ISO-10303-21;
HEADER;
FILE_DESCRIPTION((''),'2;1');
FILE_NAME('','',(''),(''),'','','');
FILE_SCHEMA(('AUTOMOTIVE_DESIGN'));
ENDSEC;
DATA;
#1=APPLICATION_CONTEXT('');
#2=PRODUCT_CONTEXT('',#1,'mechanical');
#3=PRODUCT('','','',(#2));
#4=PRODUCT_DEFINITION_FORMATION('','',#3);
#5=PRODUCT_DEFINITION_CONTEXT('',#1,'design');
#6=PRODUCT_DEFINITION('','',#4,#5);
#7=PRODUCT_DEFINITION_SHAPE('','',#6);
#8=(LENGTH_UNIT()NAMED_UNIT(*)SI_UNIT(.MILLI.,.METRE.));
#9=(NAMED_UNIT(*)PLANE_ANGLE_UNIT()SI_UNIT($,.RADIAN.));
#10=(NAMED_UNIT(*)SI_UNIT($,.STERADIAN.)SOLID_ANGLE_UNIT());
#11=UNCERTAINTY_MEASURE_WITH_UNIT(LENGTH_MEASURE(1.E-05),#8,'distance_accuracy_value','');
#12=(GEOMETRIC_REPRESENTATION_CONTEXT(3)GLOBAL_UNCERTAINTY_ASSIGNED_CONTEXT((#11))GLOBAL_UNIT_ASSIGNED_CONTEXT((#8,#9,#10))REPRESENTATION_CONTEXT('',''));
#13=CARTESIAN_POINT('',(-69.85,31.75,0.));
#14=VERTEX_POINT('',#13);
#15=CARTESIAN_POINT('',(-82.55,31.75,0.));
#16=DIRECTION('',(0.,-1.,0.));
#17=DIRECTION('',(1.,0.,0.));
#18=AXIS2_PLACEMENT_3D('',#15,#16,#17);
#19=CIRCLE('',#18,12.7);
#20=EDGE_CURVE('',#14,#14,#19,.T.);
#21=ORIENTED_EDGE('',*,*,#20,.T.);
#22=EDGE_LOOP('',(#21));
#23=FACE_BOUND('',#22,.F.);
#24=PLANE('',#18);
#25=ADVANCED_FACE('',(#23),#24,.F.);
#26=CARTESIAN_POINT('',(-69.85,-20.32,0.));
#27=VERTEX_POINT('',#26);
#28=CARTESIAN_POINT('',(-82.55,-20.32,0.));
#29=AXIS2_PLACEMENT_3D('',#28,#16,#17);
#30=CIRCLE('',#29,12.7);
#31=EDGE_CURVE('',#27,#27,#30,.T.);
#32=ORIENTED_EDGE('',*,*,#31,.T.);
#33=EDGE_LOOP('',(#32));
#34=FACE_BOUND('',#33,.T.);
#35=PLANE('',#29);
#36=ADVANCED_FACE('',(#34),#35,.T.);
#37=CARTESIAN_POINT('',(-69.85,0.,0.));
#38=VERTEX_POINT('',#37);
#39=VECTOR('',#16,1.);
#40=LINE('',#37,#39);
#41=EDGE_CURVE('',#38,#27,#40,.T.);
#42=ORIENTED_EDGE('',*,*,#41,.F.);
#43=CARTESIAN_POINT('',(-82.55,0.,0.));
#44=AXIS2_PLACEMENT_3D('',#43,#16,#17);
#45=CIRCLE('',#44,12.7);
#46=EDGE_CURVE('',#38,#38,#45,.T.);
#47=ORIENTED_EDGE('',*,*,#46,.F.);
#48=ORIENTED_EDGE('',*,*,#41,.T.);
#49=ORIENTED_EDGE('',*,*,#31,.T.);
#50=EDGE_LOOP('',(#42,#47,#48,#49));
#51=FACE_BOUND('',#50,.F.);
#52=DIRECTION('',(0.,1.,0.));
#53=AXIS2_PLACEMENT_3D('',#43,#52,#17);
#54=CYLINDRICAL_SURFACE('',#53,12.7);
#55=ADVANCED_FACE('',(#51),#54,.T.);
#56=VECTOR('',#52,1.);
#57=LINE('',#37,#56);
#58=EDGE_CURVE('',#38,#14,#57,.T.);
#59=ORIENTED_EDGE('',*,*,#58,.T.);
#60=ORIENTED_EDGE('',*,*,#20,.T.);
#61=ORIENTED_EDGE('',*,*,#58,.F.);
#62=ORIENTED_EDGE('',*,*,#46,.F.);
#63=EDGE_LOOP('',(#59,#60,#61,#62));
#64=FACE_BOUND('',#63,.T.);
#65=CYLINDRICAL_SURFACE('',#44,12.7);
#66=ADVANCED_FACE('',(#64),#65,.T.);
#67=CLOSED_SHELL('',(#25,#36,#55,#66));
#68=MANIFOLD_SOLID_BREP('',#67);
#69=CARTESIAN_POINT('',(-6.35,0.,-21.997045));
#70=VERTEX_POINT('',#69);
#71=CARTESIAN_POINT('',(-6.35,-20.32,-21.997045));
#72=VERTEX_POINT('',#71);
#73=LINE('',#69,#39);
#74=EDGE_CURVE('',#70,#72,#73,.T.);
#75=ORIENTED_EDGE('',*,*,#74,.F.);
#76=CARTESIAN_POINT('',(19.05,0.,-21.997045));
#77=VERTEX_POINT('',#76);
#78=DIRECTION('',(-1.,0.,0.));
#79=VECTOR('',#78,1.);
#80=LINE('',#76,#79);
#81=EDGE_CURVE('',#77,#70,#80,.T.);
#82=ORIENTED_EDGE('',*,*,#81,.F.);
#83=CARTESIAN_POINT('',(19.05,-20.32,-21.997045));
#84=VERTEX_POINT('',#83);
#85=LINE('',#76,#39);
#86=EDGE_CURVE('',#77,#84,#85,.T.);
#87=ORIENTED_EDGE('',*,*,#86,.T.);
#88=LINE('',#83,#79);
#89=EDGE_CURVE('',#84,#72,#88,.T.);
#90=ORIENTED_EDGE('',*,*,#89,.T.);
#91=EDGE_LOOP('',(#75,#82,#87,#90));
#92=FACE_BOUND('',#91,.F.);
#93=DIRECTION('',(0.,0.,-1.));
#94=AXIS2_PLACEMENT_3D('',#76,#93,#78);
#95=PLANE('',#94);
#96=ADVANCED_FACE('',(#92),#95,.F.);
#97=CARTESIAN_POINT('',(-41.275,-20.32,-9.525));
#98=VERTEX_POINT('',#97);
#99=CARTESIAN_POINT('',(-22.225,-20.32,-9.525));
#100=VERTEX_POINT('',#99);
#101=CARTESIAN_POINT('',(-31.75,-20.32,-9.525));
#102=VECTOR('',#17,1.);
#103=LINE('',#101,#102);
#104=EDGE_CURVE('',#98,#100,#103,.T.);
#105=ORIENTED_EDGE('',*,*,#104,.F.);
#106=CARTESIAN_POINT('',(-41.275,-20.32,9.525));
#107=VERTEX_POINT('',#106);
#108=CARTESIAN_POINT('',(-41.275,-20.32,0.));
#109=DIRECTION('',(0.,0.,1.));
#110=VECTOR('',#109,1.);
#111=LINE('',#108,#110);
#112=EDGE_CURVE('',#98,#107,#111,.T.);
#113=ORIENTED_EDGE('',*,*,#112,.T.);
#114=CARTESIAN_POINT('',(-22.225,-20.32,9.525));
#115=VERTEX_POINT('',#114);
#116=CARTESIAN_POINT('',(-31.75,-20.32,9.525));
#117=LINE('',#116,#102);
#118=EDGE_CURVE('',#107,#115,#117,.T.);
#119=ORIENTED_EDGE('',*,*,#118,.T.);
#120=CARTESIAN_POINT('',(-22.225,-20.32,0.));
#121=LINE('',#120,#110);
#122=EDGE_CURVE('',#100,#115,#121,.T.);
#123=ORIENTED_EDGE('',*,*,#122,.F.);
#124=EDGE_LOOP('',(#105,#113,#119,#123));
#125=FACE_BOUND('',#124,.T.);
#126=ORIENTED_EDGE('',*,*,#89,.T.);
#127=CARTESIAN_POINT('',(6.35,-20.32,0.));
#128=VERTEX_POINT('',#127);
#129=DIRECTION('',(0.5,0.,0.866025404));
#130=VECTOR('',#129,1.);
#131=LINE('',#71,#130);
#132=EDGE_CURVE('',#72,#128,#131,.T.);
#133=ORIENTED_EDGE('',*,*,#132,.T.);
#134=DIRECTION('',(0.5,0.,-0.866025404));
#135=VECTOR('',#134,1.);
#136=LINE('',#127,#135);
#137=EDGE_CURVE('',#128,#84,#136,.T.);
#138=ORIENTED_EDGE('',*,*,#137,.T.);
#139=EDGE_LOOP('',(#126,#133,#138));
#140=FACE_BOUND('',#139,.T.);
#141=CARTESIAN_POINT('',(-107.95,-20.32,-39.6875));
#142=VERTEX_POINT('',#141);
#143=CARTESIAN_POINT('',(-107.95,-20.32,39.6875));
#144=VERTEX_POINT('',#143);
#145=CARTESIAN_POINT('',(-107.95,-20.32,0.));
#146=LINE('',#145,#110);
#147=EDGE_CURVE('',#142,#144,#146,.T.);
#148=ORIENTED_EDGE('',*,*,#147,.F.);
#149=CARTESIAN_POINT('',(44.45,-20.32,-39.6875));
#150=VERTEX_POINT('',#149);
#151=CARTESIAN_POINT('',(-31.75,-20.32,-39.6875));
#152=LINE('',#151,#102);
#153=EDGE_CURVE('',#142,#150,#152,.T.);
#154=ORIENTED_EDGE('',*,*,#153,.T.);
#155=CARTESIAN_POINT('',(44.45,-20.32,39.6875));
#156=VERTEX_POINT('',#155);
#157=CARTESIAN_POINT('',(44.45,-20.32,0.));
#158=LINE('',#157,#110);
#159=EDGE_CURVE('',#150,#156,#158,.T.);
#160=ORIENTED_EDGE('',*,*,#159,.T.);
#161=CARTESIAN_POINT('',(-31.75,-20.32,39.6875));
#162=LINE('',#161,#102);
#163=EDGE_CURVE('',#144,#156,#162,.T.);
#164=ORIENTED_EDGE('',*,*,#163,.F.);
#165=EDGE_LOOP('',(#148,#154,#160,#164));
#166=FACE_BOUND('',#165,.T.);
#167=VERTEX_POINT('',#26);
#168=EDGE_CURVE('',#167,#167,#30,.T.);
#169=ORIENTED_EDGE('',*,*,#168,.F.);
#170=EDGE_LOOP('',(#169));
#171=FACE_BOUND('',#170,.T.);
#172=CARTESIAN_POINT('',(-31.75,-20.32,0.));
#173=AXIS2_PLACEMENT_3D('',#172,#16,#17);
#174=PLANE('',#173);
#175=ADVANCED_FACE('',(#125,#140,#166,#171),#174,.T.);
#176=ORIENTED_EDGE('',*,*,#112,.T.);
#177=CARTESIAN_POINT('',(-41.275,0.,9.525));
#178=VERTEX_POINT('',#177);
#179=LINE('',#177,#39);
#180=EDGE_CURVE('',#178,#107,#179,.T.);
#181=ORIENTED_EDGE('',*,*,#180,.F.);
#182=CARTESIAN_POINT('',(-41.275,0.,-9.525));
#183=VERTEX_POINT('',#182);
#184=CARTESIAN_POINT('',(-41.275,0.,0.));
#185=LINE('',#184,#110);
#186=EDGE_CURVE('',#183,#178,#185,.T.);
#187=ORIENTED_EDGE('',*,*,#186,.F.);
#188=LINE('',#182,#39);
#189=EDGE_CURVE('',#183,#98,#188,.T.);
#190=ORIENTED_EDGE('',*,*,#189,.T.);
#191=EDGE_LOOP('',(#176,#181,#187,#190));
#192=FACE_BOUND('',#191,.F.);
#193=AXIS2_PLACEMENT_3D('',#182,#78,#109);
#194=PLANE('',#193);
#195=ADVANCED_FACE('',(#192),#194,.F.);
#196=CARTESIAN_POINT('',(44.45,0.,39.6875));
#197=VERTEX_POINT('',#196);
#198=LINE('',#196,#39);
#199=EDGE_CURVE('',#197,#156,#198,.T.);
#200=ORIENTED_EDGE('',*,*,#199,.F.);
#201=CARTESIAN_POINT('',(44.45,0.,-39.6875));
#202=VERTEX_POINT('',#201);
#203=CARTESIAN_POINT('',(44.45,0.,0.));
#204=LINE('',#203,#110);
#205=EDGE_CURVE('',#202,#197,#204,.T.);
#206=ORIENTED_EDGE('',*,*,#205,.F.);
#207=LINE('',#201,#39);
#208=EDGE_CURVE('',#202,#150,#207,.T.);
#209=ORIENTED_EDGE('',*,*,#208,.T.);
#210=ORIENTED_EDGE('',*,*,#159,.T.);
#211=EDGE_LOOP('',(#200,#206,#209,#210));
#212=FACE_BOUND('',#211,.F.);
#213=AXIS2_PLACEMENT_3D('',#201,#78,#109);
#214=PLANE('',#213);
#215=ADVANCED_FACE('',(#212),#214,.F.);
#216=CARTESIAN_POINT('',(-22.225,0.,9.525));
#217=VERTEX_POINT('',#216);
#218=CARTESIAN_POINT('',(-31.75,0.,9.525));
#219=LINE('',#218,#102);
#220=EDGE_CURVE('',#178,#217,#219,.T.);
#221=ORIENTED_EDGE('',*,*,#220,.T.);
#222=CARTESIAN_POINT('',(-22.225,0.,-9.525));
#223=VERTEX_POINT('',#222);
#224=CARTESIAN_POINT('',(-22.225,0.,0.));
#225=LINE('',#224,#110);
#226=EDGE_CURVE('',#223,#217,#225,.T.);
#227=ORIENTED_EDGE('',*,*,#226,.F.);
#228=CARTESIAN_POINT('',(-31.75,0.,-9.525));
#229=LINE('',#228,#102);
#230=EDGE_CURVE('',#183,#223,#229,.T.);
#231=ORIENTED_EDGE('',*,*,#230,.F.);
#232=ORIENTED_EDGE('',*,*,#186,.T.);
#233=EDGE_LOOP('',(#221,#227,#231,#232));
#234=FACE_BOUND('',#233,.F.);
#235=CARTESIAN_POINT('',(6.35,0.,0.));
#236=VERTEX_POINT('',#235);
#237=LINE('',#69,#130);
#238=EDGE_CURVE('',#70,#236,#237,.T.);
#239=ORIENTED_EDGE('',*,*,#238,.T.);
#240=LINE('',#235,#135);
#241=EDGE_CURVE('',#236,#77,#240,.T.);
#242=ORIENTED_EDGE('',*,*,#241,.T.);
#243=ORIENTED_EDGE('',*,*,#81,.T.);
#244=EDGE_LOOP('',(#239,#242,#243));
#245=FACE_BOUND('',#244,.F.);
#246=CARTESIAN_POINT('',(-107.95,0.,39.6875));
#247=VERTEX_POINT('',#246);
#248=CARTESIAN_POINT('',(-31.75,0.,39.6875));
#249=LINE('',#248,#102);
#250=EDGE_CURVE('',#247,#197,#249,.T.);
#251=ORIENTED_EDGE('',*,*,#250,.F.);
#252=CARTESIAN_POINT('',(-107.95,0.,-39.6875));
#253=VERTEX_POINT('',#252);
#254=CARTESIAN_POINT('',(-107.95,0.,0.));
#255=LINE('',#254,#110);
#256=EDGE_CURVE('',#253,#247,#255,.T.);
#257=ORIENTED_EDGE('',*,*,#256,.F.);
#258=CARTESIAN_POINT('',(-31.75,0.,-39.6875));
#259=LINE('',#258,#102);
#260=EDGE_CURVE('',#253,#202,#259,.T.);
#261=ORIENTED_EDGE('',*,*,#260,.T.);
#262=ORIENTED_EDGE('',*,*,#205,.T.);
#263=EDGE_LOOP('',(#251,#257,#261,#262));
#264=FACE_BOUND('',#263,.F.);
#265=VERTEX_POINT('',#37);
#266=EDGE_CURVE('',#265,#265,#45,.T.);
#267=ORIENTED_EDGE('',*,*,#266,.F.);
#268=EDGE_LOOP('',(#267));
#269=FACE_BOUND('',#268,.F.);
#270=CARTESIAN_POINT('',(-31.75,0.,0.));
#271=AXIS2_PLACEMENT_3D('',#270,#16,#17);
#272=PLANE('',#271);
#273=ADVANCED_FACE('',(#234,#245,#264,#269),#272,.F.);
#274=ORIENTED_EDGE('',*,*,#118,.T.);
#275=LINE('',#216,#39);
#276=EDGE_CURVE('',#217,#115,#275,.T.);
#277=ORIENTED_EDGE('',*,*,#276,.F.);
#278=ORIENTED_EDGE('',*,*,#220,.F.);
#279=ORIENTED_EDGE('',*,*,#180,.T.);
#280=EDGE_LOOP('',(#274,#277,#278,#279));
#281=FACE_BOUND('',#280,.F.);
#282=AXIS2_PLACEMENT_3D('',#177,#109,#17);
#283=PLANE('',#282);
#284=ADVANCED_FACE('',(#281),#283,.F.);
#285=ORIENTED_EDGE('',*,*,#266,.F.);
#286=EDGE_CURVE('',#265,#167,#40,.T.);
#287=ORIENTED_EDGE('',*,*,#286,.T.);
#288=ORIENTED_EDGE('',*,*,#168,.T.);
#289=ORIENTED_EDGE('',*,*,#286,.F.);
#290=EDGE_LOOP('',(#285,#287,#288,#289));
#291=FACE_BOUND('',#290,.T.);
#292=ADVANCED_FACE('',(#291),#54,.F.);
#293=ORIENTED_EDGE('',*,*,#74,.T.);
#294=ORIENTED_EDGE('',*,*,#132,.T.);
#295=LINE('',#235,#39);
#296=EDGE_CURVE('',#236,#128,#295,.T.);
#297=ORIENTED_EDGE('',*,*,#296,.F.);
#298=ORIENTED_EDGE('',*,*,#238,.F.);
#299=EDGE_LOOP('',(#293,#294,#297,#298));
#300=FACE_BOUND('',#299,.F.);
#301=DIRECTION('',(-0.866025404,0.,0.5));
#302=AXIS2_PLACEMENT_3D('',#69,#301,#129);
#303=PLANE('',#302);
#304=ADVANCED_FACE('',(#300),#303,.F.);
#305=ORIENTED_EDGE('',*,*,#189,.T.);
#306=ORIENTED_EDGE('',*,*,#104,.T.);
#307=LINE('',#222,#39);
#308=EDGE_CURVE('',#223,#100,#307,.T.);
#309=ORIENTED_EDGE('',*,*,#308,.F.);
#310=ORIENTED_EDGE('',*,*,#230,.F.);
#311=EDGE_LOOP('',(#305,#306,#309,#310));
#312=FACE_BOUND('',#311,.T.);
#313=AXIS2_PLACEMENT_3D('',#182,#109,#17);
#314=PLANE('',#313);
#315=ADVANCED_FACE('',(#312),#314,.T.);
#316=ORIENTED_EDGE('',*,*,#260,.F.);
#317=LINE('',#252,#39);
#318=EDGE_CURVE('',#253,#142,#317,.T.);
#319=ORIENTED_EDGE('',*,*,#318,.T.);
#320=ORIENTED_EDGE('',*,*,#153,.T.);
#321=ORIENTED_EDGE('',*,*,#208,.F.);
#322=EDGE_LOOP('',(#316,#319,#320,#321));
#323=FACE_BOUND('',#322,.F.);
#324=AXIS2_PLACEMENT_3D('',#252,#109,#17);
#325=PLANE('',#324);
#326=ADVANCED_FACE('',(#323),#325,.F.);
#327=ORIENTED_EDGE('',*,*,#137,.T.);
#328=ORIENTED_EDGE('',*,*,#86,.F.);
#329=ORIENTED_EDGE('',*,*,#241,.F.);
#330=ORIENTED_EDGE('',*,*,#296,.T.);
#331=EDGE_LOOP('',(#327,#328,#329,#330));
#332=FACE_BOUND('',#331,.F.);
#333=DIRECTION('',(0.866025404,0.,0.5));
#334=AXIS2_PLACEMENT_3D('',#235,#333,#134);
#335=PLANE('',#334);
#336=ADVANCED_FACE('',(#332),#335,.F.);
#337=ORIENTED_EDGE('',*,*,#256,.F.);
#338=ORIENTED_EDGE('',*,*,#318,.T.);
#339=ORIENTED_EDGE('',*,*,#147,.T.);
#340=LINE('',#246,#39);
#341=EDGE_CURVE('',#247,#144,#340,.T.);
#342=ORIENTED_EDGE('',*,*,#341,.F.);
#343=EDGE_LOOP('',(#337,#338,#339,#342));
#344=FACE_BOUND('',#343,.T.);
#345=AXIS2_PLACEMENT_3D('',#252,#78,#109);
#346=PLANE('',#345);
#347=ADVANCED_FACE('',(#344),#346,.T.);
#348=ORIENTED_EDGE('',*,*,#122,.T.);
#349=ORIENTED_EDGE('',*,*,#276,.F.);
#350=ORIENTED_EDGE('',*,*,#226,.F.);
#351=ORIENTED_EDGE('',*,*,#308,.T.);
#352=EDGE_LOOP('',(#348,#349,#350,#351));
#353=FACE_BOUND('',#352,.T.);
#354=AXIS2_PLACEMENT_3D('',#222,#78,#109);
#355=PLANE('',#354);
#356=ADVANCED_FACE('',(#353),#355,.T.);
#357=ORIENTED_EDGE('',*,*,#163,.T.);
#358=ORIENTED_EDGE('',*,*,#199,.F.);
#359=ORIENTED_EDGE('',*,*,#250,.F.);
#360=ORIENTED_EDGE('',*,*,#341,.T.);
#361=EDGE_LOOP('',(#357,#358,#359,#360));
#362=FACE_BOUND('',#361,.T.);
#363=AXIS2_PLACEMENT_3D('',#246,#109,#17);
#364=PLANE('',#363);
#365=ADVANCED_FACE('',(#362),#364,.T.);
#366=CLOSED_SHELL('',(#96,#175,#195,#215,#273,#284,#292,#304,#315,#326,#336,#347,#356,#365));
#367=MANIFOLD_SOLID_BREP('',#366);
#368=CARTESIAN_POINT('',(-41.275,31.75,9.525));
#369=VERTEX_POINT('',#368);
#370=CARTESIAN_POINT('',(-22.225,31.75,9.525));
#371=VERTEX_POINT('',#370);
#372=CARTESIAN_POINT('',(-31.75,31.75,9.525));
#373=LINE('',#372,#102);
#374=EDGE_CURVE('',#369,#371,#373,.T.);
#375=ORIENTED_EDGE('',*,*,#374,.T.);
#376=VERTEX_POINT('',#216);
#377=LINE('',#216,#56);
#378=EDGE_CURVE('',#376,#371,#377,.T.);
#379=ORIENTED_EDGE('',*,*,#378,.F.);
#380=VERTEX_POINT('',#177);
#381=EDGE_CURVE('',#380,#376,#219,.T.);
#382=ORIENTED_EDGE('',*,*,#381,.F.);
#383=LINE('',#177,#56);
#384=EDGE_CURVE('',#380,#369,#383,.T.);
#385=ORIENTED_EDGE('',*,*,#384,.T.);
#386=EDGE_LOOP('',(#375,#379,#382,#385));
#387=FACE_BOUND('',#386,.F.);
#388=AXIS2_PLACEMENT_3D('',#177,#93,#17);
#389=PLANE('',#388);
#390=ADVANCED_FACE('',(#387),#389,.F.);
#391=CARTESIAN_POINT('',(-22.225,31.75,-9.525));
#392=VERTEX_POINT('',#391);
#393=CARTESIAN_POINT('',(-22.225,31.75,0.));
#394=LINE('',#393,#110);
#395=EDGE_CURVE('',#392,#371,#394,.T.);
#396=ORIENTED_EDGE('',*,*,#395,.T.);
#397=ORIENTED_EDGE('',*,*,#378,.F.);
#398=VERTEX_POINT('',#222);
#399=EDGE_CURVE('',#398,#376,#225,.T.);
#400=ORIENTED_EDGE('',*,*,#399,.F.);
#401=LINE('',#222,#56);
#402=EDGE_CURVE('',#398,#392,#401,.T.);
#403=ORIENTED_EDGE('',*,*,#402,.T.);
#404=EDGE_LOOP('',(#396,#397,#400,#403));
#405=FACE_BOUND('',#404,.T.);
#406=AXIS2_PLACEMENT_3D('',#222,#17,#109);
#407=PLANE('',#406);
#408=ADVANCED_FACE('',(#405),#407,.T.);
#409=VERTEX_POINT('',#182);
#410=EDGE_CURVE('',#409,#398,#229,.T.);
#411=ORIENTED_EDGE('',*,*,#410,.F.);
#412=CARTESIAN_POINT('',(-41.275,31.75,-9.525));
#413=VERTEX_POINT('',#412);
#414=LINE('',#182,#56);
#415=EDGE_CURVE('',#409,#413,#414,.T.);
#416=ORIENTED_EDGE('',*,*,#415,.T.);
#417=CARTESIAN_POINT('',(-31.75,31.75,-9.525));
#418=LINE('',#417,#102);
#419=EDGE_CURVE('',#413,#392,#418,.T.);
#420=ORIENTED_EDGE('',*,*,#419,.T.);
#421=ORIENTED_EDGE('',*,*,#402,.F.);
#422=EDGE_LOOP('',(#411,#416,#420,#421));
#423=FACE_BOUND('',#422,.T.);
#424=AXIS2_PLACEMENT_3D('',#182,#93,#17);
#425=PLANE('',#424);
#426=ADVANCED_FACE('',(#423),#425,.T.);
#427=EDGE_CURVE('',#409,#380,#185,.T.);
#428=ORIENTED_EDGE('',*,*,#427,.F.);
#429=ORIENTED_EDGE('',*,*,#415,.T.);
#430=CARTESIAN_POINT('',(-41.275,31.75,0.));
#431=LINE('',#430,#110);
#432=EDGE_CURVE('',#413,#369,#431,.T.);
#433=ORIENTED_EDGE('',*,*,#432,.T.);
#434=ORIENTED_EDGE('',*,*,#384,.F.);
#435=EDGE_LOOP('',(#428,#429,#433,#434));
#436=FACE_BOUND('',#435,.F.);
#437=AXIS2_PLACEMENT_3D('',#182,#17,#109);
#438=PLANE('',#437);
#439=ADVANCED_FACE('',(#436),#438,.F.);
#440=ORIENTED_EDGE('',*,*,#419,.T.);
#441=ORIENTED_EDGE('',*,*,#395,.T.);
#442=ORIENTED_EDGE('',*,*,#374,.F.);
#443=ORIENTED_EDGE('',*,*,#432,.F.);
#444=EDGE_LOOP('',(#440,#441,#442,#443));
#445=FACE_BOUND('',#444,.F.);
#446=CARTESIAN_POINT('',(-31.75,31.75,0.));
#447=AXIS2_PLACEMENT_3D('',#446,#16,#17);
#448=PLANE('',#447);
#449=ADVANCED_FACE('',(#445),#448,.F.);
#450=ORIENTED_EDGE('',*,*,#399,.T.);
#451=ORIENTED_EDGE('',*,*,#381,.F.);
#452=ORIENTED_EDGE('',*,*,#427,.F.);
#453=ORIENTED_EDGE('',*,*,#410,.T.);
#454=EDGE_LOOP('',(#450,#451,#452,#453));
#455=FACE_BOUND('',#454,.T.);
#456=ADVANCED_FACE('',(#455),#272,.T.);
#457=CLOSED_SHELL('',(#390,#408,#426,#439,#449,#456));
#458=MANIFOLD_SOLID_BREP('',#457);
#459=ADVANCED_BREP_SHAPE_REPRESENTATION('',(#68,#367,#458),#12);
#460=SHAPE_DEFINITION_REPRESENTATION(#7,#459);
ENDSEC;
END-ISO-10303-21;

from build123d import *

# Parameters (mm, degrees)
F0_W          = 152.4
F0_H          = 79.375
F0_R          = 12.7
F0_W_2        = 19.05
F0_H_2        = 19.05
F1_DEPTH      = 20.32
F2_DEPTH      = 31.75
F2_DEPTH_BACK = 20.32
F3_DEPTH      = 31.75


with BuildPart() as f1:
    # F0 (on Front) → F1 (new body)
    with BuildSketch(Plane.XZ):
        with Locations((-31.75, 0)):
            Rectangle(F0_W, F0_H)
        Polygon((-6.35, -21.9970452561), (6.35, 0), (19.05, -21.9970452561), align=None, mode=Mode.SUBTRACT)
        with Locations((-82.55, 0)):
            Circle(F0_R, mode=Mode.SUBTRACT)
        with Locations((-31.75, 0)):
            Rectangle(F0_W_2, F0_H_2, mode=Mode.SUBTRACT)
    extrude(amount=F1_DEPTH)


with BuildPart() as f2:
    # F0 (on Front) → F2 (new body, two sides)
    with BuildSketch(Plane.XZ) as f2_sk:
        with Locations((-82.55, 0)):
            Circle(F0_R)
    extrude(amount=-F2_DEPTH)
    extrude(f2_sk.sketch, amount=F2_DEPTH_BACK)


with BuildPart() as f3:
    # F0 (on Front) → F3 (new body)
    with BuildSketch(Plane.XZ):
        with Locations((-31.75, 0)):
            Rectangle(F0_W_2, F0_H_2)
    extrude(amount=-F3_DEPTH)


solid = Compound([f1.part, f2.part, f3.part])
